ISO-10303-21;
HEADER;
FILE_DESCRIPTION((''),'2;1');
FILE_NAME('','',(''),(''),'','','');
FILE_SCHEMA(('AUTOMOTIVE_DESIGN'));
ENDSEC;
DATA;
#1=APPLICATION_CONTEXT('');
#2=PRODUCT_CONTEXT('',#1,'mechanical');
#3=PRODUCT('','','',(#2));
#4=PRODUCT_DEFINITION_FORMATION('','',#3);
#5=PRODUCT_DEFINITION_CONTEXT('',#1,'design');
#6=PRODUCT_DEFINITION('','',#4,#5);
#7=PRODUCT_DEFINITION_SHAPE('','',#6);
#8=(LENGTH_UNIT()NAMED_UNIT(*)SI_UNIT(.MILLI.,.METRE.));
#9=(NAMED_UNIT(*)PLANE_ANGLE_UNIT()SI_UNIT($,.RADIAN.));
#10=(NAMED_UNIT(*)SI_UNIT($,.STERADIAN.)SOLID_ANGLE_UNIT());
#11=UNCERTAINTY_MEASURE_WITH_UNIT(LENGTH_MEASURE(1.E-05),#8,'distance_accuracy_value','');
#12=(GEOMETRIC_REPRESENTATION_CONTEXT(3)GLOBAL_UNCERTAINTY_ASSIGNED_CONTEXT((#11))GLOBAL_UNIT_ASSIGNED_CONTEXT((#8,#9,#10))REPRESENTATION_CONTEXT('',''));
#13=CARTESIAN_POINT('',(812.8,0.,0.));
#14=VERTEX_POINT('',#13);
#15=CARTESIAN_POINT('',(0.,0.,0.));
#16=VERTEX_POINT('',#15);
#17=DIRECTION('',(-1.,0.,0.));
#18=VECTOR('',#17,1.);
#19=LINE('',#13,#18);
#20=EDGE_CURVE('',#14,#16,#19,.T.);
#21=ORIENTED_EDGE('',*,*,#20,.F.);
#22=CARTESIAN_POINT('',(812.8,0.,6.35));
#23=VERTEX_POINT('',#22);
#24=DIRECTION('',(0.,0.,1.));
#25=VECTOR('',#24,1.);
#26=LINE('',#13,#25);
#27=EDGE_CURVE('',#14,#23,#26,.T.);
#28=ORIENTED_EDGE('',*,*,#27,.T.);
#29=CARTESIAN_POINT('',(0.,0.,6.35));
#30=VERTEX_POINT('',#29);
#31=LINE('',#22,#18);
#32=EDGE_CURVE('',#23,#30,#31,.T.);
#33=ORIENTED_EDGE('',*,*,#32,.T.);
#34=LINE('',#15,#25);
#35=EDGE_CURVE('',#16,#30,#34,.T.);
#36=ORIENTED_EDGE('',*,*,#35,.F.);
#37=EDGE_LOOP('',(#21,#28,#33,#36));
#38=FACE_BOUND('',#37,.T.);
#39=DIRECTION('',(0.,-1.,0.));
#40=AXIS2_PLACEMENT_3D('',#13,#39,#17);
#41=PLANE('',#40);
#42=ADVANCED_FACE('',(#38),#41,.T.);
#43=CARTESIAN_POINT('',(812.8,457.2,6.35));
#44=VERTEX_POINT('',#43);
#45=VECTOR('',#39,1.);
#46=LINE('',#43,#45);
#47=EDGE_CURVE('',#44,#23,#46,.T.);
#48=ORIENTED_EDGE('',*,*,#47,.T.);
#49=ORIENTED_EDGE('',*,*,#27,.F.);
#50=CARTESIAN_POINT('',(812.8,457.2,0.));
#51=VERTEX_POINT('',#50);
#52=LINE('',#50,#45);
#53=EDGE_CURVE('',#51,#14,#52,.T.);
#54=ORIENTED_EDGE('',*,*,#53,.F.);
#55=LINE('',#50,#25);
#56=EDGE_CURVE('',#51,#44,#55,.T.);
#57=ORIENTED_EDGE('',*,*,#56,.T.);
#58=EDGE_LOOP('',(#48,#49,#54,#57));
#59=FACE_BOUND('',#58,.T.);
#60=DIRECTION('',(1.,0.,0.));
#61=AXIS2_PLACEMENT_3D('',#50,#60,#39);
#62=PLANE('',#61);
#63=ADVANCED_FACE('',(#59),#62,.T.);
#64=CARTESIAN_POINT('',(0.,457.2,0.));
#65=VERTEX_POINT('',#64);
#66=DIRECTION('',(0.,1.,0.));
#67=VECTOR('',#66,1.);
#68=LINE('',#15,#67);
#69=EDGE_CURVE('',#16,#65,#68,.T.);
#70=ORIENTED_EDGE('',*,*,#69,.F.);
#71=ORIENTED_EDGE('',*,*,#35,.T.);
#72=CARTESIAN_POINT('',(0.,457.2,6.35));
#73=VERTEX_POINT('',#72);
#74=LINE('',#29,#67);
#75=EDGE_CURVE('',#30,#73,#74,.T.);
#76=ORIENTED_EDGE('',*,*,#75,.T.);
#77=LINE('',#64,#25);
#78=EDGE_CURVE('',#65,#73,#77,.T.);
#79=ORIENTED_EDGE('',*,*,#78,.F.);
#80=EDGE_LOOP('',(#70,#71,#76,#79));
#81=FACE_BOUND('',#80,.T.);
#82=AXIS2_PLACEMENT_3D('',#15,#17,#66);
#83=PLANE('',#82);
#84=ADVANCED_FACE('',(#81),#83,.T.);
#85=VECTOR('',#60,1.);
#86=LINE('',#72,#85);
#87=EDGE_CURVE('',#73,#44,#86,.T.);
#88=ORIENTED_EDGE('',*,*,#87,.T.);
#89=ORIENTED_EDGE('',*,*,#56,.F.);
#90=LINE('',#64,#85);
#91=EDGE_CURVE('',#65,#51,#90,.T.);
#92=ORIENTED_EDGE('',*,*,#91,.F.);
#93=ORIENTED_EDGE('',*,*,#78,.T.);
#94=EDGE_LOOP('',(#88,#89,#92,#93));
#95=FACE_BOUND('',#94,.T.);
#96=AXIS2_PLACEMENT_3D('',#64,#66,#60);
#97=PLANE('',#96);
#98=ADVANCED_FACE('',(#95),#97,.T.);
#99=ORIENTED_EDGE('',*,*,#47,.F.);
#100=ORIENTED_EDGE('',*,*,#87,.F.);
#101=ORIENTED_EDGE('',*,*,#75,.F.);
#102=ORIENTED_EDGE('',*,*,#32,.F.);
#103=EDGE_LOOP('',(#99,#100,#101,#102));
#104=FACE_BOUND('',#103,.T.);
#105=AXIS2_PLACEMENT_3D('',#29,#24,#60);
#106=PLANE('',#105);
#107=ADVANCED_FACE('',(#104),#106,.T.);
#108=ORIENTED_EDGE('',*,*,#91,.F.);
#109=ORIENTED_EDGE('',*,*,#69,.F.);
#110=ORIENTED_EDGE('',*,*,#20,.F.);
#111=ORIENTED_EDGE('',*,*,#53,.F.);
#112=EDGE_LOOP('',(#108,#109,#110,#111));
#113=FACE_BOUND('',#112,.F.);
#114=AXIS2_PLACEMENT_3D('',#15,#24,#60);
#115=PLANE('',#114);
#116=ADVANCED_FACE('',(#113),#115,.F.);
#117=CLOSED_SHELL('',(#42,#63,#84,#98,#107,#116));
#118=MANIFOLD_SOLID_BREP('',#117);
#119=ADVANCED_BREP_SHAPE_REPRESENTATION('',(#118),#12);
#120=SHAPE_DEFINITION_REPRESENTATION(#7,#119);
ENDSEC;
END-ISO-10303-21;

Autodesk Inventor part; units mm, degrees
ref_plane "YZ Plane" through (0, 0, 0) normal (1, 0, 0) x (0, 1, 0)
ref_plane "XZ Plane" through (0, 0, 0) normal (0, 1, 0) x (-1, 0, 0)
ref_plane "XY Plane" through (0, 0, 0) normal (0, 0, 1) x (1, 0, 0)
sketch "Sketch1" plane through (0, 0, 0) normal (0, 0, 1) x (1, 0, 0)
  line L0 (0, 0) -> (0, 457.2)
  line L1 (0, 457.2) -> (812.8, 457.2)
  line L2 (812.8, 457.2) -> (812.8, 0)
  line L3 (812.8, 0) -> (0, 0)
  line L4 (0, 0) -> (812.8, 0)
  dimension "d0" = 457.2
  dimension "d1" = 812.8
extrude "Extrusion1" add sketch "Sketch1" along normal blind 6.35
properties part number "top_plywood_Ocampo"
